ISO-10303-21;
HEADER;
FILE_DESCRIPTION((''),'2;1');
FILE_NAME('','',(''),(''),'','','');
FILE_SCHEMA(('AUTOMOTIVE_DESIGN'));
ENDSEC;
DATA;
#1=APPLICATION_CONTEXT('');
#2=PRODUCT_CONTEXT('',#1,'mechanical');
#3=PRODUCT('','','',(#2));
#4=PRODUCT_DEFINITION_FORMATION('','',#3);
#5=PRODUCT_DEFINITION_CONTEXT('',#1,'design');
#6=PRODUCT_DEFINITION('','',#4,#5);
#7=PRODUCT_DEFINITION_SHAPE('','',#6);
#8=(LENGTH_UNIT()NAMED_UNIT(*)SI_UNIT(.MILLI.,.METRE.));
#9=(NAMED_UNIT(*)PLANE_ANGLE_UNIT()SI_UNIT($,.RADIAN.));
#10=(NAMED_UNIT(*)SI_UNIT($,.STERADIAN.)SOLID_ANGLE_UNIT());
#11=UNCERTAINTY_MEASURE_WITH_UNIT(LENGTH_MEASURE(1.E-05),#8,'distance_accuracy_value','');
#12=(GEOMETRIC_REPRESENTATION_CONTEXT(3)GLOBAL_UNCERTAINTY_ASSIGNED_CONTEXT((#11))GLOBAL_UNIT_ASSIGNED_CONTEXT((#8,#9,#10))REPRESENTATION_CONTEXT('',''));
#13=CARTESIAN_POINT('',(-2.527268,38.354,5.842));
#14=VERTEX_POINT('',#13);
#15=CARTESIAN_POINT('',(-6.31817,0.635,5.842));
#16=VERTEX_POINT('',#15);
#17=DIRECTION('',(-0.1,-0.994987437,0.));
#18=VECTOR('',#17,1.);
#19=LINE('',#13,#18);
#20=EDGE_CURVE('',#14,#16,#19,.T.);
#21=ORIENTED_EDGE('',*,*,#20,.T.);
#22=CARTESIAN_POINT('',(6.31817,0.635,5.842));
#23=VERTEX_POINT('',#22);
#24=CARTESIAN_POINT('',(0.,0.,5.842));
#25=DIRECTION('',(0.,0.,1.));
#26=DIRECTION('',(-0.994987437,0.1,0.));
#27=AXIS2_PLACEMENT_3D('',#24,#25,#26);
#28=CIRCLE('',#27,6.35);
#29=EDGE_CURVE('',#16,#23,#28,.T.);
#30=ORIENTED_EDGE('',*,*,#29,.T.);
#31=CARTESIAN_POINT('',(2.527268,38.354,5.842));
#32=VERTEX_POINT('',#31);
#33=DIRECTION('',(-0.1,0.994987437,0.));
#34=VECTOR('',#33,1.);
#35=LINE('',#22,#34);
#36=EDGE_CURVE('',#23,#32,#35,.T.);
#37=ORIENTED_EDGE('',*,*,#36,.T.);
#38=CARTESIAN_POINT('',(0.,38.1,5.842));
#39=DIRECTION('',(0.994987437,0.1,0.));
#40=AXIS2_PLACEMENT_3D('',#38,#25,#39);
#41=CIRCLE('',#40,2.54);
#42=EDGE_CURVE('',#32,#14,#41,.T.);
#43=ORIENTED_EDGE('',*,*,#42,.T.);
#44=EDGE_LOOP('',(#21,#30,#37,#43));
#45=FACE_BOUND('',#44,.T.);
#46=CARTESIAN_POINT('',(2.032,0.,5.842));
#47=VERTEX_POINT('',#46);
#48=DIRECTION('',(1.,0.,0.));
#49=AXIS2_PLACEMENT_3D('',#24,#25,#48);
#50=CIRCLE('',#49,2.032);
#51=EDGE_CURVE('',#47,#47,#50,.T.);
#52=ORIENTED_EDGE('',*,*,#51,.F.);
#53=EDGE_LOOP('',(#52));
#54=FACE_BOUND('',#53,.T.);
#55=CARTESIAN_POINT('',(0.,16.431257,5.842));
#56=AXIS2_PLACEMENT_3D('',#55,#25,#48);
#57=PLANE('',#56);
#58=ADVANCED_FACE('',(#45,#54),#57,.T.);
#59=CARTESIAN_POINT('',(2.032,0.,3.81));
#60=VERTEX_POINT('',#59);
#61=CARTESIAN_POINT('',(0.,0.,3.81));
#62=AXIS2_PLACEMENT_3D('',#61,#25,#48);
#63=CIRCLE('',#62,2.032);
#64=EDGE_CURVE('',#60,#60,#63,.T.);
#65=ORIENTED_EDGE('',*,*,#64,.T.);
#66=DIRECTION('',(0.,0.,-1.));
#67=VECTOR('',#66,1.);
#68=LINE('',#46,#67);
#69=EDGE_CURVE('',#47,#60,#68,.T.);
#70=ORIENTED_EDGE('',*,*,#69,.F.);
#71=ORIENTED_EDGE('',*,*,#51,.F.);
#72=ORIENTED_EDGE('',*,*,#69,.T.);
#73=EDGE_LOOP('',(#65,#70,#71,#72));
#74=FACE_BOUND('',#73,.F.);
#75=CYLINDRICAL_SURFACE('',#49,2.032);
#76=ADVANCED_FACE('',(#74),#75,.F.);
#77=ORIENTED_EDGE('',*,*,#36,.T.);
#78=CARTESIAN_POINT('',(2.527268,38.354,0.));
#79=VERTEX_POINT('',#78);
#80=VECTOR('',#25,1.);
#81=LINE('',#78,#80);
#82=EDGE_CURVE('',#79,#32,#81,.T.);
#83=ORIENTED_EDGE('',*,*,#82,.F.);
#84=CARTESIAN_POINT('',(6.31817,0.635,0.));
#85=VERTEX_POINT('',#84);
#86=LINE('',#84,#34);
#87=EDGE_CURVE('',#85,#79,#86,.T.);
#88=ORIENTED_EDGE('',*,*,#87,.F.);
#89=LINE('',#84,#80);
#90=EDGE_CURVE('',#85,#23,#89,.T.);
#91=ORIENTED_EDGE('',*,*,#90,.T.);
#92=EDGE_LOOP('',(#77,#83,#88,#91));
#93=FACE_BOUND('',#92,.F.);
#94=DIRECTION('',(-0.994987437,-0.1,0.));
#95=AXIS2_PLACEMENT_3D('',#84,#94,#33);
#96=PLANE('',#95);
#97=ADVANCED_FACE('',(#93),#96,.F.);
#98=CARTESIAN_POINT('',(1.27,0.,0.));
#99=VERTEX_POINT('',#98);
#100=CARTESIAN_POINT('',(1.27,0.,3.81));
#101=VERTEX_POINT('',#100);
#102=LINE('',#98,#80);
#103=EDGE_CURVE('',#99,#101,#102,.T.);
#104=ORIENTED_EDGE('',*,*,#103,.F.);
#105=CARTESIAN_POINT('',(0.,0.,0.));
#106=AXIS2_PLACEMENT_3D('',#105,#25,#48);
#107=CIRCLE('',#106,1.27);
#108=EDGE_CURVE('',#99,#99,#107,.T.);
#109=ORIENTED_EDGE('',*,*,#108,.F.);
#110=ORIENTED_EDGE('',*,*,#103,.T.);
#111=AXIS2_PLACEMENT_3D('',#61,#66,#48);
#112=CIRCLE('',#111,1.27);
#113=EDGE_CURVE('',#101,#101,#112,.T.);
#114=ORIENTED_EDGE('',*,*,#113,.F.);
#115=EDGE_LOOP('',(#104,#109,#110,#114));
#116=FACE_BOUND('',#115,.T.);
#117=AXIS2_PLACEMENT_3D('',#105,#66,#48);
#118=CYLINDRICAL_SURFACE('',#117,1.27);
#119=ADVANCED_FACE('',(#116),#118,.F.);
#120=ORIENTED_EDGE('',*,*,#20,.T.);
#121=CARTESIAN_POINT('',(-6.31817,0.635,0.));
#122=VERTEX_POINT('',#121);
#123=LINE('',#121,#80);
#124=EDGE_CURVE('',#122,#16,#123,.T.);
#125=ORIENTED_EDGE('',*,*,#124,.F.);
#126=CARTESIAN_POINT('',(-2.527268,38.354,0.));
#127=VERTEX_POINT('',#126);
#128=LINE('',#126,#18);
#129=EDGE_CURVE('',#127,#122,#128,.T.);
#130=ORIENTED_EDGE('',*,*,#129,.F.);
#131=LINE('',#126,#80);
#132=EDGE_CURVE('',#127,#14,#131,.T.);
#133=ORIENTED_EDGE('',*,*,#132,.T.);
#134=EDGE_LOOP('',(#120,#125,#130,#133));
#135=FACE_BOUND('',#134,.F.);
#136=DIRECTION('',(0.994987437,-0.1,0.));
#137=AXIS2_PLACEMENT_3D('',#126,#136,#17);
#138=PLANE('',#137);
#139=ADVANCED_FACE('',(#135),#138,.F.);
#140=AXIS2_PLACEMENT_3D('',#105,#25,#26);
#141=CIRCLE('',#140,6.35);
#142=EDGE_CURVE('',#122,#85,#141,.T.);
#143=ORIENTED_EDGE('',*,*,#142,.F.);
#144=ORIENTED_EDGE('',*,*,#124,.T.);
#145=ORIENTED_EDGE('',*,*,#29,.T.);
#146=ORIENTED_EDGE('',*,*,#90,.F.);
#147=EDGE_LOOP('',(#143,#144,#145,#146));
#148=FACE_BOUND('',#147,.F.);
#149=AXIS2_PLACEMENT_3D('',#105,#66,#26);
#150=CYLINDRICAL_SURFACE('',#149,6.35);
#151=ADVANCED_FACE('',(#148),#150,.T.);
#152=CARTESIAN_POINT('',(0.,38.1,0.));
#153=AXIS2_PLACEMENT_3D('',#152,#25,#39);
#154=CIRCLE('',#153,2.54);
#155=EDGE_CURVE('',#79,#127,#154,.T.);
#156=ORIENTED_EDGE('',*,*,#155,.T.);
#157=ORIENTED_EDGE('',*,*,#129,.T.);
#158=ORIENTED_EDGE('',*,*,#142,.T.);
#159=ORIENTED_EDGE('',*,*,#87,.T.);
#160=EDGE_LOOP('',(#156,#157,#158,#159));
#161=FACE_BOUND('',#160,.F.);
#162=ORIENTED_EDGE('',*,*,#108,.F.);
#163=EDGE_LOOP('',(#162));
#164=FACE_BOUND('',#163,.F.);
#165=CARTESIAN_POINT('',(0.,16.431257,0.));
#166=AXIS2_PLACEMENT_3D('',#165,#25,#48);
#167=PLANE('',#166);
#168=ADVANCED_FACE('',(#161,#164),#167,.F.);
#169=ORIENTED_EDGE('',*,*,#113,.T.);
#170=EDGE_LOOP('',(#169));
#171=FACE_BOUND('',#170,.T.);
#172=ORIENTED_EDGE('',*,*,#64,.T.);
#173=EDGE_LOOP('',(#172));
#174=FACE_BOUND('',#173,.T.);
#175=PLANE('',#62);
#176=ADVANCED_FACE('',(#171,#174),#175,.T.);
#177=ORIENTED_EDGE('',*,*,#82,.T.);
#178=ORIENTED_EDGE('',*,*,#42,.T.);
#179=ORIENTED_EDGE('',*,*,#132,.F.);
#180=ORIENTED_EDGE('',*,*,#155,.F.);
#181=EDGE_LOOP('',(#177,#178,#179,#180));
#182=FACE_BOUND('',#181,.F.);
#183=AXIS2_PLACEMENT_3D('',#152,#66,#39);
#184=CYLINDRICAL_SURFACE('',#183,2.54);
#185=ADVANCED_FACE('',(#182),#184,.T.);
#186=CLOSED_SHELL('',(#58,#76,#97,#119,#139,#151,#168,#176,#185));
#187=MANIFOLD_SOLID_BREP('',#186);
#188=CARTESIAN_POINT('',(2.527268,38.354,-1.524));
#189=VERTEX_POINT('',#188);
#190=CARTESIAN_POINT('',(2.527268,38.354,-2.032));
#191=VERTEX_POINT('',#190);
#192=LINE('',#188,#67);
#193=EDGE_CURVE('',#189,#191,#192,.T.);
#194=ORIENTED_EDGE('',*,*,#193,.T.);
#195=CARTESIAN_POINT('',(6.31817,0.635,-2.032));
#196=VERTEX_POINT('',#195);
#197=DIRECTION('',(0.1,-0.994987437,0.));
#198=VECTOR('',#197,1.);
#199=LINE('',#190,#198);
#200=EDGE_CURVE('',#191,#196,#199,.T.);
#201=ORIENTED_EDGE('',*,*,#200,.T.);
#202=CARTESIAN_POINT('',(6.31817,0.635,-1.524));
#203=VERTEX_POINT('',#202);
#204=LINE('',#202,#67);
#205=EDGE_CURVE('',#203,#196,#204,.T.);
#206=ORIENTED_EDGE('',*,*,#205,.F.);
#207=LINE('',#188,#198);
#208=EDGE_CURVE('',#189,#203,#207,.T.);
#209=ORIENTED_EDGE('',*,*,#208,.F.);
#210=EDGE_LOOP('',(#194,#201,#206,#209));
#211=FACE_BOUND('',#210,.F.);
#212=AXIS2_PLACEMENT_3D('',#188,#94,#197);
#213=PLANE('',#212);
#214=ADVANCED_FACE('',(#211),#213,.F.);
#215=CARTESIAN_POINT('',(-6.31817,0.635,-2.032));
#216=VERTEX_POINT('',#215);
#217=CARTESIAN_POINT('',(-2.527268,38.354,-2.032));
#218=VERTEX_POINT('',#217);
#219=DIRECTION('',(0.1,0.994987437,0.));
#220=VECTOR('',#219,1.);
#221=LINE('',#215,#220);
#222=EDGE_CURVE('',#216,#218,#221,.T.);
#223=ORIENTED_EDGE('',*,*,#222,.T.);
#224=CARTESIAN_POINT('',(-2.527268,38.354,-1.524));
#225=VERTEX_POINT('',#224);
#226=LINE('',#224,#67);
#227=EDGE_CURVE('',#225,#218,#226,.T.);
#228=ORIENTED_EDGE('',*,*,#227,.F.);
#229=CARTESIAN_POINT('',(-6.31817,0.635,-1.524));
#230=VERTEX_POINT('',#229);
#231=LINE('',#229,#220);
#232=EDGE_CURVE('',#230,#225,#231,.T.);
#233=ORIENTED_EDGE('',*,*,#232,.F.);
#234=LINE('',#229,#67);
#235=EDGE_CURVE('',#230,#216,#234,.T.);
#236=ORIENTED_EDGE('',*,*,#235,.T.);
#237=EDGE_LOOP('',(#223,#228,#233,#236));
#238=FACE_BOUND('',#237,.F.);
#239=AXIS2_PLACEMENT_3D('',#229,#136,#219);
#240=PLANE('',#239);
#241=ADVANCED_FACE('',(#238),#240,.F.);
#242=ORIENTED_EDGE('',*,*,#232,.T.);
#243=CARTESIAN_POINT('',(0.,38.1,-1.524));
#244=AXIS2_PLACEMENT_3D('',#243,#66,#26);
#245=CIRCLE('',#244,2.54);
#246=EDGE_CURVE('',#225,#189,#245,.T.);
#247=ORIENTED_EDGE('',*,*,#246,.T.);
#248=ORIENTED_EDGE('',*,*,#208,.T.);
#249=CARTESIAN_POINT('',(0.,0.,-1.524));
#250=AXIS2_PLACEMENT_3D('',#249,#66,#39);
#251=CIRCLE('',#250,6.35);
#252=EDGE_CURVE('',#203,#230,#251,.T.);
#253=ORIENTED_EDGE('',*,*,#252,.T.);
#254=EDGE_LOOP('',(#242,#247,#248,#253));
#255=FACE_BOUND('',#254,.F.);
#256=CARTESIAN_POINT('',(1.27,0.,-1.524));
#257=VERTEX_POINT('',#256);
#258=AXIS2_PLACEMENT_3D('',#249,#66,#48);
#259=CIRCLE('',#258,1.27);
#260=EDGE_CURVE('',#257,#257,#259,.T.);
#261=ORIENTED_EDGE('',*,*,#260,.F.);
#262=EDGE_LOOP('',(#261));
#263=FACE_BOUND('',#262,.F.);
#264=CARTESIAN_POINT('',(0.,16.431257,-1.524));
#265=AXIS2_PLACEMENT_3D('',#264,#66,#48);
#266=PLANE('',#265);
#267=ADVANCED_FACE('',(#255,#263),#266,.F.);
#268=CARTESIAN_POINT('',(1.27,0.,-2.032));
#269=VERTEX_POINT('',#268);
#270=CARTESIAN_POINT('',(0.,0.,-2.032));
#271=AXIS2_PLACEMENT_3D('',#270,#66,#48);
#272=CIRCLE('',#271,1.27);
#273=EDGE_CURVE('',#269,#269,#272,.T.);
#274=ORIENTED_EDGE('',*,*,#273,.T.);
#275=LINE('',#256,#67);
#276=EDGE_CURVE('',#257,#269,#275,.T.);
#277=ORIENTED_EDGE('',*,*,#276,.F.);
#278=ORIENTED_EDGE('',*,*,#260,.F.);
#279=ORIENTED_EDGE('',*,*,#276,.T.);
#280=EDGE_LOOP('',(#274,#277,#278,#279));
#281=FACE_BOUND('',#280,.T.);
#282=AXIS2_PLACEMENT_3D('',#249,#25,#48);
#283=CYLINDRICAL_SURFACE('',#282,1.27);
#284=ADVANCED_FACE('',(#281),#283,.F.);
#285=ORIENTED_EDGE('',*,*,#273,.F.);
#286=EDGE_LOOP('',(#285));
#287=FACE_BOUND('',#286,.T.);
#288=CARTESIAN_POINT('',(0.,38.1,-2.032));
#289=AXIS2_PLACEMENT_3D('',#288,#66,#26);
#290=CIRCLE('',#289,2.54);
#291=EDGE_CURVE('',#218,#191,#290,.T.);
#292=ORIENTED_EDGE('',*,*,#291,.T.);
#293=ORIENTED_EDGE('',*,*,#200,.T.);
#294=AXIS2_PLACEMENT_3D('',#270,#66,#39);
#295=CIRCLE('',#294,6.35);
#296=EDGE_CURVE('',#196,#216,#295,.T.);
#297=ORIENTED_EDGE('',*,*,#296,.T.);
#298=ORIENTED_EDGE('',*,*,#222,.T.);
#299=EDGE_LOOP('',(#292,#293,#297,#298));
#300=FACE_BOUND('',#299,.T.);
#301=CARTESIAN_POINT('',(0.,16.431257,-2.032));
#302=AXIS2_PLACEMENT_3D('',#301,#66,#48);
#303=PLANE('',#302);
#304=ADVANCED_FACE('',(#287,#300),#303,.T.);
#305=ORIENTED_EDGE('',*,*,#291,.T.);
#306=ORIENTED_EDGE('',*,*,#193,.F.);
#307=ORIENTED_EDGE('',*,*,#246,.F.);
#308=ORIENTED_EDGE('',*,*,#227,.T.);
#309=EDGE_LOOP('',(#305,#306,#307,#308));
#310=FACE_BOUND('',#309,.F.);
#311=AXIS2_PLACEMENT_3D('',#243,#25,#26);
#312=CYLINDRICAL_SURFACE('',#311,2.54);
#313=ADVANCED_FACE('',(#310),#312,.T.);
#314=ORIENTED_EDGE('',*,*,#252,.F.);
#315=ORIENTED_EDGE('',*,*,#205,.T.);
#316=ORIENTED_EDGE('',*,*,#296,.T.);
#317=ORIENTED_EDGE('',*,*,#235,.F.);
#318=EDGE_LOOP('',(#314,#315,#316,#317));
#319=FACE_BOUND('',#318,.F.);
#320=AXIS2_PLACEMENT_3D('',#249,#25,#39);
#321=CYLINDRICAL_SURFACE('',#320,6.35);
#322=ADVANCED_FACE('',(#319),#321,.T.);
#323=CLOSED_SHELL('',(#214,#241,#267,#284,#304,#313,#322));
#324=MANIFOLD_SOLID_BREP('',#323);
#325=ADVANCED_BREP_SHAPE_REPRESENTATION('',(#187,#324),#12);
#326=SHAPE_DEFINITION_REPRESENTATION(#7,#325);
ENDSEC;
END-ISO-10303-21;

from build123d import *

# Parameters (mm, degrees)
F0_R     = 1.27
F1_DEPTH = 5.842
F2_R     = 2.032
F3_DEPTH = 2.032
F5_R     = 1.27
F6_DEPTH = 0.508


with BuildPart() as f1:
    # F0 (on Top) → F1 (new body)
    with BuildSketch(Plane.XY):
        with BuildLine():
            Line((-2.5272680903, 38.354), (-6.3181702256, 0.635))
            ThreePointArc((-6.3181702256, 0.635), (0, -6.35), (6.3181702256, 0.635))
            Line((6.3181702256, 0.635), (2.5272680903, 38.354))
            ThreePointArc((2.5272680903, 38.354), (0, 40.64), (-2.5272680903, 38.354))
        make_face()
        Circle(F0_R, mode=Mode.SUBTRACT)
    extrude(amount=F1_DEPTH)

    # F2 (on face) → F3 (cut)
    with BuildSketch(Plane.XY.offset(5.842)):
        Circle(F2_R)
    extrude(amount=-F3_DEPTH, mode=Mode.SUBTRACT)


with BuildPart() as f6:
    # F5 (on offset) → F6 (new body)
    with BuildSketch(Plane(origin=(0, 0, -1.524), x_dir=(1, 0, 0), z_dir=(0, 0, -1))):
        with BuildLine():
            ThreePointArc((6.3181702256, -0.635), (0, 6.35), (-6.3181702256, -0.635))
            Line((-6.3181702256, -0.635), (-2.5272680903, -38.354))
            ThreePointArc((-2.5272680903, -38.354), (0, -40.64), (2.5272680903, -38.354))
            Line((2.5272680903, -38.354), (6.3181702256, -0.635))
        make_face()
        Circle(F5_R, mode=Mode.SUBTRACT)
    extrude(amount=F6_DEPTH)


solid = Compound([f1.part, f6.part])
